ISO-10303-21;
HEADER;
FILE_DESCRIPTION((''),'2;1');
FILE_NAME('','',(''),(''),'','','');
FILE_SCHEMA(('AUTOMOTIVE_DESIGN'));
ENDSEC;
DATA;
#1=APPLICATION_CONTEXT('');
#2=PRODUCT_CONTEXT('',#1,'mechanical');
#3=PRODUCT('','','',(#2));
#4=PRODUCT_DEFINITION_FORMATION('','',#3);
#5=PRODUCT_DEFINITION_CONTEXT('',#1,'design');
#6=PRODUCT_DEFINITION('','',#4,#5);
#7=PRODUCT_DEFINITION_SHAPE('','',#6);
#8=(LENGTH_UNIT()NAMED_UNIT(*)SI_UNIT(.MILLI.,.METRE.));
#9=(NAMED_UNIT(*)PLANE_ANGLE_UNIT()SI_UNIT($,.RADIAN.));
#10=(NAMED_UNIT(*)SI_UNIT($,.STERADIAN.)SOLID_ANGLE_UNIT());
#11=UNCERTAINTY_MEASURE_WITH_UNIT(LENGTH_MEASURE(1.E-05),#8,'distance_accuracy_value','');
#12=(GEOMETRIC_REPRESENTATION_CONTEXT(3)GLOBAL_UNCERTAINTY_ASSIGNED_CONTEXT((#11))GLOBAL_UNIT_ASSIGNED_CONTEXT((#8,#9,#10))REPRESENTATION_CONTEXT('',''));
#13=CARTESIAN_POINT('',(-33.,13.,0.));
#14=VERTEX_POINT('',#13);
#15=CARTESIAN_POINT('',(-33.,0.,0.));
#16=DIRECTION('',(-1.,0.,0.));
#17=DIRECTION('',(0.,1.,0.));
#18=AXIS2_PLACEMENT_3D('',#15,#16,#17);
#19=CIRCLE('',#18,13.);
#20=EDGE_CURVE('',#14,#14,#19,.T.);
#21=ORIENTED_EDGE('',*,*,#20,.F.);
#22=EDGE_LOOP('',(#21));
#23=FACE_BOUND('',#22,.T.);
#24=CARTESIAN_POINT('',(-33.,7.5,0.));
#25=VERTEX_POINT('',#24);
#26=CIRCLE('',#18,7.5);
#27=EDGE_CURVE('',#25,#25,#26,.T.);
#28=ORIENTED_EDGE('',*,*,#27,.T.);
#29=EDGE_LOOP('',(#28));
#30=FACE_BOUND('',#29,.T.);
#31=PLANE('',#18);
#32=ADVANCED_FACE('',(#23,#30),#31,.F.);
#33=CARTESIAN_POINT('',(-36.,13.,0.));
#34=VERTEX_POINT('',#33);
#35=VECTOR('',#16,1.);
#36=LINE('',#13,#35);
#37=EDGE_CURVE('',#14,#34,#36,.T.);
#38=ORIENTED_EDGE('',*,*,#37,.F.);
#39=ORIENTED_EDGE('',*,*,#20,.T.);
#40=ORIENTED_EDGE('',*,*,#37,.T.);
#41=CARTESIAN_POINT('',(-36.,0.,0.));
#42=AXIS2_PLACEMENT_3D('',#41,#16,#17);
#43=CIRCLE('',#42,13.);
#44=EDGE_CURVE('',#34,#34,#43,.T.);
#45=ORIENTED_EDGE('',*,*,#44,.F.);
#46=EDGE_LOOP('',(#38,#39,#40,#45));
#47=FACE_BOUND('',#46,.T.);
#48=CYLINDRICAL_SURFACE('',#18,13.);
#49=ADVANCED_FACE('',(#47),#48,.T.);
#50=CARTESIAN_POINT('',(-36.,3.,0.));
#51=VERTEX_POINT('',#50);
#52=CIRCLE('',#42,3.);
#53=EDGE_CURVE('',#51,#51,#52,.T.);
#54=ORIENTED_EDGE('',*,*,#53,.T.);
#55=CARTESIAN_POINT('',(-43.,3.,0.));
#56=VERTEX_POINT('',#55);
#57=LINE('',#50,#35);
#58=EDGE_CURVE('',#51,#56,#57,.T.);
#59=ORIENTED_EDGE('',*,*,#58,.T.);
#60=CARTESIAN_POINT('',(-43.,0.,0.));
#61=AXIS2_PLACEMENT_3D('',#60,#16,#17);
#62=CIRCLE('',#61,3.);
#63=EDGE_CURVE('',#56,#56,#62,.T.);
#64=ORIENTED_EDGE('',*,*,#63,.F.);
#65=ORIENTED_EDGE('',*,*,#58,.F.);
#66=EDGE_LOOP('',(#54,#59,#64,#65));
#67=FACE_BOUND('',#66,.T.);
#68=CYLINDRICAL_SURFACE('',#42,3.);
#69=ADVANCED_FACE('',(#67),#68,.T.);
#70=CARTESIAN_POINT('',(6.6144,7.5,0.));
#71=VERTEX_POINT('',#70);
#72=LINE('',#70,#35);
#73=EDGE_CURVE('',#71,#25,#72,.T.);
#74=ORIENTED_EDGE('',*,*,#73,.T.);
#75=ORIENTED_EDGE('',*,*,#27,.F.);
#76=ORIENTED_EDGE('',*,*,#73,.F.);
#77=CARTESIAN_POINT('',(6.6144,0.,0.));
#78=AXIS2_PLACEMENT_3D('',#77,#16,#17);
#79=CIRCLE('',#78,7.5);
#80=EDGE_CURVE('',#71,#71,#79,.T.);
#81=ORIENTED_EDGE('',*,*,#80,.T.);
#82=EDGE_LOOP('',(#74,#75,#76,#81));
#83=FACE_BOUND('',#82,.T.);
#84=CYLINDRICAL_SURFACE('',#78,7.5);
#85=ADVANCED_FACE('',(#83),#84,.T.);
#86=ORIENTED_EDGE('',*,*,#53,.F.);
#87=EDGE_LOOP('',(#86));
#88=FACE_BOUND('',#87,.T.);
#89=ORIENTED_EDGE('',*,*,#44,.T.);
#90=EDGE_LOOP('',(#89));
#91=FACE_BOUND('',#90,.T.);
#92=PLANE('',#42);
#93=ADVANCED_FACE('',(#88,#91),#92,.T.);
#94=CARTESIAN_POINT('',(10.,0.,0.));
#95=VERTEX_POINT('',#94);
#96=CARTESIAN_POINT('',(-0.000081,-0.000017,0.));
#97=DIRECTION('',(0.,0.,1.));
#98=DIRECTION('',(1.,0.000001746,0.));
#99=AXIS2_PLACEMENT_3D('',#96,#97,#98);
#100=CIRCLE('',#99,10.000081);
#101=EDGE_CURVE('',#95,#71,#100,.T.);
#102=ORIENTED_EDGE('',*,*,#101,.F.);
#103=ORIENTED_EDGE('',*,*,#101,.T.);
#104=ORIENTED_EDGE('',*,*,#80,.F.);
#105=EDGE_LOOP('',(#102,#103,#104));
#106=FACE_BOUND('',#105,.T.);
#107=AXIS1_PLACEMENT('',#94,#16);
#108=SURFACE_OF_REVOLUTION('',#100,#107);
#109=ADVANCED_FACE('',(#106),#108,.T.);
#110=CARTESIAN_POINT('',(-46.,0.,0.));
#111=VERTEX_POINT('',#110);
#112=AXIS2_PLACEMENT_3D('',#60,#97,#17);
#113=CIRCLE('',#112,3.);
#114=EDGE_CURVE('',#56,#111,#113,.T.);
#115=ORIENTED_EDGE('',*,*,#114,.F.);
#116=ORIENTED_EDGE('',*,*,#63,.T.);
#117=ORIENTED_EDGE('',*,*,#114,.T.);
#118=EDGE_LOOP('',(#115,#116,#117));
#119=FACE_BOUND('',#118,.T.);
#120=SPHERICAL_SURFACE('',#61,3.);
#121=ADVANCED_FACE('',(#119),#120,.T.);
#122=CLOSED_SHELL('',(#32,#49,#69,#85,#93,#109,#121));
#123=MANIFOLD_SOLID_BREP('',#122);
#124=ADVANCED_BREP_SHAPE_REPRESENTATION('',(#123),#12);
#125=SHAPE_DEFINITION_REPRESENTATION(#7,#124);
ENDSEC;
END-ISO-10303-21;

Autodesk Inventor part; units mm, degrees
ref_plane "YZ Plane" through (0, 0, 0) normal (1, 0, 0) x (0, 1, 0)
ref_plane "XZ Plane" through (0, 0, 0) normal (0, 1, 0) x (-1, 0, 0)
ref_plane "XY Plane" through (0, 0, 0) normal (0, 0, 1) x (1, 0, 0)
sketch "Sketch1" plane through (0, 0, 0) normal (0, 0, 1) x (1, 0, 0)
  arc A0 (10, 0) -> (6.6144, 7.5) centre (0, 0) ccw
  line L0 (6.6144, 7.5) -> (-33, 7.5)
  line L1 (-33, 7.5) -> (-33, 13)
  line L2 (-33, 13) -> (-36, 13)
  line L3 (-36, 13) -> (-36, 3)
  line L4 (-36, 3) -> (-43, 3)
  arc A1 (-43, 3) -> (-46, 0) centre (-43, 0) ccw
  line L5 (10, 0) -> (-46, 0)
  dimension "d1" = 13
  dimension "d2" = 3
  dimension "d3" = 3
  dimension "d7" = 10
  dimension "d9" = 7.5
  dimension "d10" = 43
  dimension "d11" = 10
  dimension "d13" = 3.3856
revolve "Revolution1" add sketch "Sketch1" angle 360 about axis through (10, 0, 0) along (-1, 0, 0)
properties material "Steel, Alloy"
